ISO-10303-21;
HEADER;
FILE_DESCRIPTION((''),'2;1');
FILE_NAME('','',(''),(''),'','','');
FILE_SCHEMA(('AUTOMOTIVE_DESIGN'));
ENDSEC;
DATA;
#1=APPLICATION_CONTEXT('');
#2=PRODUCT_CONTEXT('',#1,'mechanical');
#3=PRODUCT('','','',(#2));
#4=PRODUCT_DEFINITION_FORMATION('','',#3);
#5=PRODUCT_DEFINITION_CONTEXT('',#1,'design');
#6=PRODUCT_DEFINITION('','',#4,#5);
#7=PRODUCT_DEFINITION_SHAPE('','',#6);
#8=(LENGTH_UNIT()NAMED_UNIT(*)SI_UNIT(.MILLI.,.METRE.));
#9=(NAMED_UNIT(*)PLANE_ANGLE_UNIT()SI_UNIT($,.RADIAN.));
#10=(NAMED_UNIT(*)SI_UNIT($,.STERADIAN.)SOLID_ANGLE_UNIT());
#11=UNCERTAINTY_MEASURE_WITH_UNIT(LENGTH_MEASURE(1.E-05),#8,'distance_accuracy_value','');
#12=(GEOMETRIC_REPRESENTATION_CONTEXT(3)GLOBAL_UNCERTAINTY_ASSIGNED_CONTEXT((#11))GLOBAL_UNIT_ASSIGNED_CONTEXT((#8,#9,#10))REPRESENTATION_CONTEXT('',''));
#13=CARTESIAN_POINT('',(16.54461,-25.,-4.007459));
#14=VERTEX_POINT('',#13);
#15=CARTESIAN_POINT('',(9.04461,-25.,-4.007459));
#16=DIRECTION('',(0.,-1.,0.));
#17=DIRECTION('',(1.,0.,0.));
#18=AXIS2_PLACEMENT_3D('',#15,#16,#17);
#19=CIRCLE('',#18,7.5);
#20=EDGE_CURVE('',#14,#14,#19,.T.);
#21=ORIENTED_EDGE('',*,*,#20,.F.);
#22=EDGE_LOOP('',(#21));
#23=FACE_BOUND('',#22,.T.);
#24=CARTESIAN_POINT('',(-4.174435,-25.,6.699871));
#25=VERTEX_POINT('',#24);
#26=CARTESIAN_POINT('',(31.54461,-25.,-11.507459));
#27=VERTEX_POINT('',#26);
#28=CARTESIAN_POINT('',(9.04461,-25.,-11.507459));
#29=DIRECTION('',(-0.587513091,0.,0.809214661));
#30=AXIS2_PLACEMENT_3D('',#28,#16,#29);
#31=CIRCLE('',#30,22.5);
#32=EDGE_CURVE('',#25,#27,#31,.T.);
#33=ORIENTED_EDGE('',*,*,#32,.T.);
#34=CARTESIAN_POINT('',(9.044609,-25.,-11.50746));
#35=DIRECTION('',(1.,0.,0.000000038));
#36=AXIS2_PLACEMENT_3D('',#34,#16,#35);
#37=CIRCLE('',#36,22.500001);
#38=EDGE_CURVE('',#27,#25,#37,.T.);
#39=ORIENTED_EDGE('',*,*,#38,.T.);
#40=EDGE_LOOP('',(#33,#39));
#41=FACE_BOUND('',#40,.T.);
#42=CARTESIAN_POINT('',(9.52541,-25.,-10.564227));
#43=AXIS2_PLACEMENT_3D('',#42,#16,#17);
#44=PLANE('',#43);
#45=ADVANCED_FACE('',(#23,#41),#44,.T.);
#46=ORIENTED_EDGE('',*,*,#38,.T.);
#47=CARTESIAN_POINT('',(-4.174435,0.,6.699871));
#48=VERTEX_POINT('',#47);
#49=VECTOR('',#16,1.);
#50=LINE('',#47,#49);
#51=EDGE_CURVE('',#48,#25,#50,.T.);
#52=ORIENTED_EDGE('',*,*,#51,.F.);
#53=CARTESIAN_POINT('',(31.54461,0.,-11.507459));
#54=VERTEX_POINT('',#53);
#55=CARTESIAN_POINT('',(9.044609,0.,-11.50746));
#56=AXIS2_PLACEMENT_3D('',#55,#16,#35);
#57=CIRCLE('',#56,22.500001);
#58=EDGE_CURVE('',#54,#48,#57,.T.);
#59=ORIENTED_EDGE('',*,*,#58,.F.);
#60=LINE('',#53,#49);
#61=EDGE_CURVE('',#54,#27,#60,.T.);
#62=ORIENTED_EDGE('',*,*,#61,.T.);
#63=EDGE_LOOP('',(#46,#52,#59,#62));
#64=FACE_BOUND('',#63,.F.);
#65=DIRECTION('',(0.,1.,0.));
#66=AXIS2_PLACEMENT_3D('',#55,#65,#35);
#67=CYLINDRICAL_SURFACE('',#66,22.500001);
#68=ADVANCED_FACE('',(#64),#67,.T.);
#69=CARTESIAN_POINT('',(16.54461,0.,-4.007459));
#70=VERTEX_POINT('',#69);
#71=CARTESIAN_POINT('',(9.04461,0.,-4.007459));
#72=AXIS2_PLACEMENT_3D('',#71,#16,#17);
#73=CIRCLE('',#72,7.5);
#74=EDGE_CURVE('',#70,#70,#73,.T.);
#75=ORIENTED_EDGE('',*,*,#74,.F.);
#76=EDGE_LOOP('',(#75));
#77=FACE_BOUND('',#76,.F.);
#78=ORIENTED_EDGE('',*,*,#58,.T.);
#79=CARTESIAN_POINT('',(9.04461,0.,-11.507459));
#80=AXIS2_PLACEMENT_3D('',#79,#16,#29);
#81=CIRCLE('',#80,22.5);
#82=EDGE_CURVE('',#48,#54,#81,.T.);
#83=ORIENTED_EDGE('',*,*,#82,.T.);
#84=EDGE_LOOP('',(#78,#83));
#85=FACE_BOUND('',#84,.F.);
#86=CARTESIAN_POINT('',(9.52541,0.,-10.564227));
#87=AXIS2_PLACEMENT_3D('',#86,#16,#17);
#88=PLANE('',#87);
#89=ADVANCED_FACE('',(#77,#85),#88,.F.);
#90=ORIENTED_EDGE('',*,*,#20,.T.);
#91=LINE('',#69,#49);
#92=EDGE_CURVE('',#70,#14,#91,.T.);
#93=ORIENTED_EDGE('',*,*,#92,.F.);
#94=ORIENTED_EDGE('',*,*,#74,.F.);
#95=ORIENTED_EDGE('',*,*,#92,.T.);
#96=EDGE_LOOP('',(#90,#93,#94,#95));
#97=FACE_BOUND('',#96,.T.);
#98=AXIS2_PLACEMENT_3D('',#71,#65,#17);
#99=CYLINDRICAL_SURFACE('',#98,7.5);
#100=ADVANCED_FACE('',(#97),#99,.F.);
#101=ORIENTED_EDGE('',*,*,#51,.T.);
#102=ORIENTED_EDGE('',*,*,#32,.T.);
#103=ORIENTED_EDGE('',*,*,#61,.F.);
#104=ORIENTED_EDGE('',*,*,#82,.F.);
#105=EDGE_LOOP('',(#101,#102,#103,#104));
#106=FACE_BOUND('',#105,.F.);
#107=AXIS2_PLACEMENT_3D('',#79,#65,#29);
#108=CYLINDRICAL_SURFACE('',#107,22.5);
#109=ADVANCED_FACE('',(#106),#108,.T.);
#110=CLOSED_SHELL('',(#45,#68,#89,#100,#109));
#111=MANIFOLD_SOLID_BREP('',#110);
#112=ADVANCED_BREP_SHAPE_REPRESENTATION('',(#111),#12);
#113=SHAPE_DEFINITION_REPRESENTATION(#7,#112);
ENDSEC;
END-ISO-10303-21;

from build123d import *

# Parameters (mm, degrees)
F0_R     = 7.5
F1_DEPTH = 25


with BuildPart() as f1:
    # F0 (on Front) → F1 (new body)
    with BuildSketch(Plane.XZ):
        with BuildLine():
            ThreePointArc((-4.174435, 6.699871), (-1.173548, -31.553388), (31.54461, -11.507459))
            ThreePointArc((31.54461, -11.507459), (19.262768, 8.538469), (-4.174435, 6.699871))
        make_face()
        with Locations((9.04461, -4.007459)):
            Circle(F0_R, mode=Mode.SUBTRACT)
    extrude(amount=F1_DEPTH)


solid = f1.part
